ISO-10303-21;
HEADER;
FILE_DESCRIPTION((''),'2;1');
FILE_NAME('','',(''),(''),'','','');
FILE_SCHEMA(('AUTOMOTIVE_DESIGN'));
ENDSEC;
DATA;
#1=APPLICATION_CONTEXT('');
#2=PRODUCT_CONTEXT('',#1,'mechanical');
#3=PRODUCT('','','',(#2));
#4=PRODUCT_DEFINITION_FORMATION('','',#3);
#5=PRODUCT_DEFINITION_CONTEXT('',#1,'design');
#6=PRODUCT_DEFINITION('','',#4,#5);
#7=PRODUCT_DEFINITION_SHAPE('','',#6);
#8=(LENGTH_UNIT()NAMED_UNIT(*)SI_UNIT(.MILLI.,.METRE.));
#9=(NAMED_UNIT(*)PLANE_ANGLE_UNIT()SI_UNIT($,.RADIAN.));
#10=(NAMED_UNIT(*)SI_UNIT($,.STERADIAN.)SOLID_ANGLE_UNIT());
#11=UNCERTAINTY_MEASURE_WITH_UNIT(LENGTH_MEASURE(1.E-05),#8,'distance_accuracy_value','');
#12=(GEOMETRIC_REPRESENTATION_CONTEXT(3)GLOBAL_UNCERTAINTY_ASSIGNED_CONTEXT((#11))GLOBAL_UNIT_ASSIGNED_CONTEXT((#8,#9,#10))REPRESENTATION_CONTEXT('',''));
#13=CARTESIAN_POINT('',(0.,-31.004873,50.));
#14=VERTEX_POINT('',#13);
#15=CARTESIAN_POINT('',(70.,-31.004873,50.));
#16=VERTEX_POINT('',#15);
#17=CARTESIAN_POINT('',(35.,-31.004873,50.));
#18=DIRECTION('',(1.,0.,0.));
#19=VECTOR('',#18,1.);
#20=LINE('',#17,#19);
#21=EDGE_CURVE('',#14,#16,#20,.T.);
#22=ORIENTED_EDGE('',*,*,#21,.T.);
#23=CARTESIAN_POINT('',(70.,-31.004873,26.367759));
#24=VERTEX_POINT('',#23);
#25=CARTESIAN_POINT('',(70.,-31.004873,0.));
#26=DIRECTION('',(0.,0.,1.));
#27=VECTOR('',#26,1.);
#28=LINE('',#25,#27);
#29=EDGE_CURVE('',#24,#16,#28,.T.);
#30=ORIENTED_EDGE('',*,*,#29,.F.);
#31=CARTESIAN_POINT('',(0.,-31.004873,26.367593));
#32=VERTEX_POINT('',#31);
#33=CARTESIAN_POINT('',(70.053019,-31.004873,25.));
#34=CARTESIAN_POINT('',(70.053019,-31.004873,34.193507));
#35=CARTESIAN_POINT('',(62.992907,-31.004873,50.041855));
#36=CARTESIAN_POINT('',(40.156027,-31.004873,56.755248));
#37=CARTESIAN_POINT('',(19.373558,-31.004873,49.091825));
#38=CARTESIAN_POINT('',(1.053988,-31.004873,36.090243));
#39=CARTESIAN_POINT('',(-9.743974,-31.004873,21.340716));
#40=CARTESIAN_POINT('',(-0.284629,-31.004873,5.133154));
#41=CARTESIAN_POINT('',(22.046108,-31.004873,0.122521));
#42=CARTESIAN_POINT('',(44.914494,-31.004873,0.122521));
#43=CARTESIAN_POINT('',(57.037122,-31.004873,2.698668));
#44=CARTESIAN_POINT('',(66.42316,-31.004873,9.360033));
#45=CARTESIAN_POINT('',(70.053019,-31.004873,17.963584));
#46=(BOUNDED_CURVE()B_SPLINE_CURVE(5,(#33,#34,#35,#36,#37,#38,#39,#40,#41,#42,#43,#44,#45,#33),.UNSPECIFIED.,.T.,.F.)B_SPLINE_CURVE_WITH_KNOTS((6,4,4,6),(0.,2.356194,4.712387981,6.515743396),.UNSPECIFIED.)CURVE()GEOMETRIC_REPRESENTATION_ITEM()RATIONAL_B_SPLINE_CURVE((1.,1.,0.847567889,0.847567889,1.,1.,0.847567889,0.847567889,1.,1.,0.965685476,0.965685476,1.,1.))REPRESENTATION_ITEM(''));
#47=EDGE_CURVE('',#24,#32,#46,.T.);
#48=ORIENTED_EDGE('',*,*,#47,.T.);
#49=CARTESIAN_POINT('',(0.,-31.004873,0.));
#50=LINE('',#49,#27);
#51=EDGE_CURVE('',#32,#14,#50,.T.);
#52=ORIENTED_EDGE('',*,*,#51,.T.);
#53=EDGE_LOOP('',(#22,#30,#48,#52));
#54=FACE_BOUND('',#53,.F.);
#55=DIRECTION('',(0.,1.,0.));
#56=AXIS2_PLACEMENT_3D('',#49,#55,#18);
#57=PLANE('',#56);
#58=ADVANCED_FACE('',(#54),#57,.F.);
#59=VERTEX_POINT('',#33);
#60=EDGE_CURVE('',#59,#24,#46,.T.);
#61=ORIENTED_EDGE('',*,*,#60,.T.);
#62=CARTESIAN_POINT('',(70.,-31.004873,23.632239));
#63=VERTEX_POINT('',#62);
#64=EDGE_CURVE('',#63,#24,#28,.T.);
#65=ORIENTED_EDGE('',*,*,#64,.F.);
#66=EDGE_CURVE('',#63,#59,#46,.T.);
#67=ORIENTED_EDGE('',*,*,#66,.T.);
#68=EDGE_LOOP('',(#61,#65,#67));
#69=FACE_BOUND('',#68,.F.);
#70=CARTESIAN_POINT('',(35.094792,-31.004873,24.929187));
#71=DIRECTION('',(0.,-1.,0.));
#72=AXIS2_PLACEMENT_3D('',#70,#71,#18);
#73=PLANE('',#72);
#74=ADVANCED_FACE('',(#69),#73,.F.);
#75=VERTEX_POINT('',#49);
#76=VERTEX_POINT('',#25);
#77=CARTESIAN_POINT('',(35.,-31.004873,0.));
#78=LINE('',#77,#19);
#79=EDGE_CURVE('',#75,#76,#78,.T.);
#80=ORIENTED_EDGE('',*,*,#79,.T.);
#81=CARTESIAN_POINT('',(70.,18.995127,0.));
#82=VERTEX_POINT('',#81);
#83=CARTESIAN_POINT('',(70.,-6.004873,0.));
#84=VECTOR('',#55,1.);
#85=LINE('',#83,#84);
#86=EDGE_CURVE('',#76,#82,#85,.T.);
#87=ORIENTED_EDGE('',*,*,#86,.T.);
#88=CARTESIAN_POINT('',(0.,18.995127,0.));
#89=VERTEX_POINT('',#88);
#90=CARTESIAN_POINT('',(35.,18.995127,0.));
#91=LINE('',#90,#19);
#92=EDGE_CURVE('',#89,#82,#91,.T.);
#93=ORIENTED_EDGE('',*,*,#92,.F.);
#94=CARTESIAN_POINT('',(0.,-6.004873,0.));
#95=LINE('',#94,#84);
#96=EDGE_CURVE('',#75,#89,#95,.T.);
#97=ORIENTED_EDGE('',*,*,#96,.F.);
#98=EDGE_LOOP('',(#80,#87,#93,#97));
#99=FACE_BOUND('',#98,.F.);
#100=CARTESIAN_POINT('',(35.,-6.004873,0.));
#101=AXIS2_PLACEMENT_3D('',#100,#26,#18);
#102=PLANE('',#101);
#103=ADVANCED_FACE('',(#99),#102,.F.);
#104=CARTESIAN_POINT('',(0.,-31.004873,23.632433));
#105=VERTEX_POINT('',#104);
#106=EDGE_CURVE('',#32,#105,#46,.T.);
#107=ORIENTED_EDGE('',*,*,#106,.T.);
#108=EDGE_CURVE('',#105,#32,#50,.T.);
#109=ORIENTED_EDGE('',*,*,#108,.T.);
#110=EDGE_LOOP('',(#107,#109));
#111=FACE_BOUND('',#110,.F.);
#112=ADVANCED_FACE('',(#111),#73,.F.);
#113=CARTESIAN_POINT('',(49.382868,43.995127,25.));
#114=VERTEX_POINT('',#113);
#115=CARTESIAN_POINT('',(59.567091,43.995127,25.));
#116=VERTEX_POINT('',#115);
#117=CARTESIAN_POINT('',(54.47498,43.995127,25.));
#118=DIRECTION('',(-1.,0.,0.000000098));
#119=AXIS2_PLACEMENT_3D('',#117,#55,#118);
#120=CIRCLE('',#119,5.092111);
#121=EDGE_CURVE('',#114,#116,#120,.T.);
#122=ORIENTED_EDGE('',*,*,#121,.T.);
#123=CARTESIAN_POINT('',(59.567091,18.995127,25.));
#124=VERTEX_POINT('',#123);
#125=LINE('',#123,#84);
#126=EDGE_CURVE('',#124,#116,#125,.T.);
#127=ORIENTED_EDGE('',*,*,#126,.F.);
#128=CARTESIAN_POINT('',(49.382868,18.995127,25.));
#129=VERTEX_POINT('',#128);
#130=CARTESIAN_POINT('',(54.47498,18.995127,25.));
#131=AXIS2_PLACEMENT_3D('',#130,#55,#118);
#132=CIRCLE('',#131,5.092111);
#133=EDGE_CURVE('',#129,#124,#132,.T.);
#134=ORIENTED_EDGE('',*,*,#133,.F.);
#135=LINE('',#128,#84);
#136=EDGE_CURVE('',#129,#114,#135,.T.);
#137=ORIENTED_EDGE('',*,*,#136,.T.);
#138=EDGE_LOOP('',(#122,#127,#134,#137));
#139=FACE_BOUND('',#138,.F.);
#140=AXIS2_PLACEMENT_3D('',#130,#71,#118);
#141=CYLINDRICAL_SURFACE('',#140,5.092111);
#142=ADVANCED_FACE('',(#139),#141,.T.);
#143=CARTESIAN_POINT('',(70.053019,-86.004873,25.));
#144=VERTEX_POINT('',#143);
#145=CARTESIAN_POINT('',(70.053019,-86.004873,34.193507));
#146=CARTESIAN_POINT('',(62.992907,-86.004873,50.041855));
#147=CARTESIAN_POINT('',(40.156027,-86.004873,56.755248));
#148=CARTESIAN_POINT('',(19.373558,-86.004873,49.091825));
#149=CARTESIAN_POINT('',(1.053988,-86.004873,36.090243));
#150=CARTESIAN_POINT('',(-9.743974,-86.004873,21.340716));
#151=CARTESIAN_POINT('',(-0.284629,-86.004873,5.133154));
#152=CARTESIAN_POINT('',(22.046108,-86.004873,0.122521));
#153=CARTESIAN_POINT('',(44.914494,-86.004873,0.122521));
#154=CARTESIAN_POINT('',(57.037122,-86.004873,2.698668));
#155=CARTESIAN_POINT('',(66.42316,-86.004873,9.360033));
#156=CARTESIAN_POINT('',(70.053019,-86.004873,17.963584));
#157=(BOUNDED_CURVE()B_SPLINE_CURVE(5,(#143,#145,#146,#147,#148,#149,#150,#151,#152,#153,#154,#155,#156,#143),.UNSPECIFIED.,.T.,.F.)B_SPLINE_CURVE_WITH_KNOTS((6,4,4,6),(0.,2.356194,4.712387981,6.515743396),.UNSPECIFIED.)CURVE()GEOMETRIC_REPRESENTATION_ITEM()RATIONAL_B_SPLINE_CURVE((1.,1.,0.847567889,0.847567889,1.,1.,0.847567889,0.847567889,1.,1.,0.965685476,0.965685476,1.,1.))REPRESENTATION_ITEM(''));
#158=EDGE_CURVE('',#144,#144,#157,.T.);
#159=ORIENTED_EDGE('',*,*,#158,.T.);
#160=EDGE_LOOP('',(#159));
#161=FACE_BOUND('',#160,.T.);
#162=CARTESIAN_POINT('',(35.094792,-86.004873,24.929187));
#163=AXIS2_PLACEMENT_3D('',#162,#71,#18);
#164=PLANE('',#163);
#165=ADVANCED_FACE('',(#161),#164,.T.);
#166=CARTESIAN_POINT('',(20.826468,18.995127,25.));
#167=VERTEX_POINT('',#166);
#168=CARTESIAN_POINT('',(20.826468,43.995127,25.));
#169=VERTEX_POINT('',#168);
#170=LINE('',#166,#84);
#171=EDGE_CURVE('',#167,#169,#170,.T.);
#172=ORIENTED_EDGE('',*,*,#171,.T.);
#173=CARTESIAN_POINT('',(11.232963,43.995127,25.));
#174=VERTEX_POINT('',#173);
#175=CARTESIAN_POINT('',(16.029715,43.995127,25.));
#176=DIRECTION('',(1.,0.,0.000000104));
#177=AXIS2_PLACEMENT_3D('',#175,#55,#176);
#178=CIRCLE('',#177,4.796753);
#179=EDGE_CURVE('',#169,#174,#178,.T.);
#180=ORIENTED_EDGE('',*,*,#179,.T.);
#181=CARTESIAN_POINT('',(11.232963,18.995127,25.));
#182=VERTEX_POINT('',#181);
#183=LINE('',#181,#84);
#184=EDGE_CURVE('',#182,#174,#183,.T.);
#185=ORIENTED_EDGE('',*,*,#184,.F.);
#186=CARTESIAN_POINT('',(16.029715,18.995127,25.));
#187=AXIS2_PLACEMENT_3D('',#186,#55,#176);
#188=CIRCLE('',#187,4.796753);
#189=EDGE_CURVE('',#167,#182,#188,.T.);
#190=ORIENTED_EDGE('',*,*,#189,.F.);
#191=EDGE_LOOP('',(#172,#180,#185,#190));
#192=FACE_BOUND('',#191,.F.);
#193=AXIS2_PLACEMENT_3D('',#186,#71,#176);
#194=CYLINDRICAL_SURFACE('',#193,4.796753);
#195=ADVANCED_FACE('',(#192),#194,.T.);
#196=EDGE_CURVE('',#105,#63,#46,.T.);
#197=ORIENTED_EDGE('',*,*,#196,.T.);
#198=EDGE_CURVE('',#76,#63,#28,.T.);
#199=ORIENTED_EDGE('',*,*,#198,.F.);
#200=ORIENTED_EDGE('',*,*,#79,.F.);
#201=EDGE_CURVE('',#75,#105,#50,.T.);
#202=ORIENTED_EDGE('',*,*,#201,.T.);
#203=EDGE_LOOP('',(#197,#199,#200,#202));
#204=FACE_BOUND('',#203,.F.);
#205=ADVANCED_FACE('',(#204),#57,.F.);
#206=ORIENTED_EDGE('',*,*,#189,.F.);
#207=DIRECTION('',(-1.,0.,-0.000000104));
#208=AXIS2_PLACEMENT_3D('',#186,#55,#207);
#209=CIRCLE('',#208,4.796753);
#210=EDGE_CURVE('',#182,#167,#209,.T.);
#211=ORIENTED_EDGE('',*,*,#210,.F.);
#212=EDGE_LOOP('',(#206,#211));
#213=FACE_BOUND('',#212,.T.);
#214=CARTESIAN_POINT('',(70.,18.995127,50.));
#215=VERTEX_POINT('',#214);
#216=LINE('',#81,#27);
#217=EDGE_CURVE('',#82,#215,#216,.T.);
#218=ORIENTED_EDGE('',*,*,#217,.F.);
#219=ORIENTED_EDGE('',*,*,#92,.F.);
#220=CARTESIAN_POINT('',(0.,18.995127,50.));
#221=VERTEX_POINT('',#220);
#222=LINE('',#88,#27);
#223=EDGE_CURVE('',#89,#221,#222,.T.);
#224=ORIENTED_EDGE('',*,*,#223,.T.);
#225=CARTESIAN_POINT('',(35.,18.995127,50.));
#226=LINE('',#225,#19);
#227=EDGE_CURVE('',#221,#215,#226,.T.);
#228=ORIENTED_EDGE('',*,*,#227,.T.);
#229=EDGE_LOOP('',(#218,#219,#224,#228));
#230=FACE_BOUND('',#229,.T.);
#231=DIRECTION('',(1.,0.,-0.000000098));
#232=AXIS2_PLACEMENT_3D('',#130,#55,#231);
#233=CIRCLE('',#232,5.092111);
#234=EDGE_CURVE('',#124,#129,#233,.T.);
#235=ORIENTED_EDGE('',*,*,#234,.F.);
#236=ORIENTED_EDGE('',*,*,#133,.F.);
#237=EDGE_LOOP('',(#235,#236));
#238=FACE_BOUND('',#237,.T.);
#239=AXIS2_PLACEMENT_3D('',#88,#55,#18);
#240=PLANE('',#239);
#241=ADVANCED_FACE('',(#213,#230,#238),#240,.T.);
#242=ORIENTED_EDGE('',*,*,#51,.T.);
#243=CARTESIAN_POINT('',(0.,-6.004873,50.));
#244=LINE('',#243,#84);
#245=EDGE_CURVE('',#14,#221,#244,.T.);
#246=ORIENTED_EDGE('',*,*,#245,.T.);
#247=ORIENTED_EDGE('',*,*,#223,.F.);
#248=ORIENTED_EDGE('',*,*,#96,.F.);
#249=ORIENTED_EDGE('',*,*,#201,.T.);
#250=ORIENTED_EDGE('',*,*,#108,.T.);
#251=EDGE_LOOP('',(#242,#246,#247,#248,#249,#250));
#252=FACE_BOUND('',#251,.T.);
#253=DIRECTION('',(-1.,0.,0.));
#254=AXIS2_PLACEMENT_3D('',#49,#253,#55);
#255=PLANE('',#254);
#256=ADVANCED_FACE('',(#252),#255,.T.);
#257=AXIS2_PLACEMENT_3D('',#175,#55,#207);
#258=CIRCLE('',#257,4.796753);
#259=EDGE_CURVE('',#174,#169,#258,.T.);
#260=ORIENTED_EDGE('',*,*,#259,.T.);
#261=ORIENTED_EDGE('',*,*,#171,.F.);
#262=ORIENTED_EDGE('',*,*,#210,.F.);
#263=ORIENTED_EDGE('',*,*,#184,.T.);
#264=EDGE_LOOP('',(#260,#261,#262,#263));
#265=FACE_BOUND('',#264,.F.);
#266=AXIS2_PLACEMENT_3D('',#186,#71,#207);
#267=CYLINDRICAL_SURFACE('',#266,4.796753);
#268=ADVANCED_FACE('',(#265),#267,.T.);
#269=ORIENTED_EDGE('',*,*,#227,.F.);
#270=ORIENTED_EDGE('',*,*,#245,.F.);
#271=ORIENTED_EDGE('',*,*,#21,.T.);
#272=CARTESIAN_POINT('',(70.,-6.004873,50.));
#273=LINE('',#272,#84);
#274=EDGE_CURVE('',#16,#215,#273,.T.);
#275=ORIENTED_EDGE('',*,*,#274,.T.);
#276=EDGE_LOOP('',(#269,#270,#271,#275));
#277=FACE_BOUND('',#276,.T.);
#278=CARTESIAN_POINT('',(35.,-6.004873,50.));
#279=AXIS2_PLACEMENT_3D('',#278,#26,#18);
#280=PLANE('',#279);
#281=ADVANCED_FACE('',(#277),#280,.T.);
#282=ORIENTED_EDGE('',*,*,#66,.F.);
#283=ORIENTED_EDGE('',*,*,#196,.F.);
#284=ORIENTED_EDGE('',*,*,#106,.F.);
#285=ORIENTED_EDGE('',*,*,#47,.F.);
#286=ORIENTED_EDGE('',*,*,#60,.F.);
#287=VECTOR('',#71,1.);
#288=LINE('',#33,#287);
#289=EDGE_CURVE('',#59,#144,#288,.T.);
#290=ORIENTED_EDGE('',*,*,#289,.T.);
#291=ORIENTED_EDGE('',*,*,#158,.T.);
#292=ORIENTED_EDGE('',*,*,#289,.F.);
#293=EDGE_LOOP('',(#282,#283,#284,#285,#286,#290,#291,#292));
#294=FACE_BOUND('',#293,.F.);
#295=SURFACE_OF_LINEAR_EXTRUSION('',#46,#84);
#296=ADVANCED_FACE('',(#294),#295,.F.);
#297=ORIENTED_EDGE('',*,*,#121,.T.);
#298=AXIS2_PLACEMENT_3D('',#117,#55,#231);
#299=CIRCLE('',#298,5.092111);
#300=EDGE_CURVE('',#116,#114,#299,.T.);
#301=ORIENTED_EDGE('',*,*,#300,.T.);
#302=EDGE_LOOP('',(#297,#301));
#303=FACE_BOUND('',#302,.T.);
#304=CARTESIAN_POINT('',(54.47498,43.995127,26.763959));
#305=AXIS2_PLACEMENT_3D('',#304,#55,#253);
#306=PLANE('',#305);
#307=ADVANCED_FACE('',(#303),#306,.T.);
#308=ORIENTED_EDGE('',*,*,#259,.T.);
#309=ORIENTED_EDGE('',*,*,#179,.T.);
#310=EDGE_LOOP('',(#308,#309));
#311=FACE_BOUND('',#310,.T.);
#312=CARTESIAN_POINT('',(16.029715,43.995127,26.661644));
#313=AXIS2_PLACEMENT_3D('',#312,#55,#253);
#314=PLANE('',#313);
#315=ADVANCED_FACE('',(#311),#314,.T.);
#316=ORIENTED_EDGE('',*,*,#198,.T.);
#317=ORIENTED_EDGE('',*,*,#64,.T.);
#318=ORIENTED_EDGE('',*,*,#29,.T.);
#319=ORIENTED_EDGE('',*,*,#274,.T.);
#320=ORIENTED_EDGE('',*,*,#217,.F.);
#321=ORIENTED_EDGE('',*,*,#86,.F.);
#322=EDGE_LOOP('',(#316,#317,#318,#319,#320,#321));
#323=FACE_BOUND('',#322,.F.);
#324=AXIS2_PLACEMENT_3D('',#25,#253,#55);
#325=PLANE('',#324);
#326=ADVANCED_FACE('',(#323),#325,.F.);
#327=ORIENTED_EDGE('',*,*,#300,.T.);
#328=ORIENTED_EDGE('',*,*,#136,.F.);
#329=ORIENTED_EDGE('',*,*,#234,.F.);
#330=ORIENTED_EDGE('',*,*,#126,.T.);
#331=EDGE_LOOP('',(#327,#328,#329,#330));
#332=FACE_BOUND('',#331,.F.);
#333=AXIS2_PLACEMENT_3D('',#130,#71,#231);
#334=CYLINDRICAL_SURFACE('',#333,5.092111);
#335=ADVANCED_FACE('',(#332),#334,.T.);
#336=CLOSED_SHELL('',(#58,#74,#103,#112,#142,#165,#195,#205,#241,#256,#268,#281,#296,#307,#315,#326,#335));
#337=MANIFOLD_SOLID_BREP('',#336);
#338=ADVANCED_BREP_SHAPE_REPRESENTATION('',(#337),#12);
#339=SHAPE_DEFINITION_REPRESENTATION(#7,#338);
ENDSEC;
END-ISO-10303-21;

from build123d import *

# Parameters (mm, degrees)
F0_W     = 70
F0_H     = 50
F1_DEPTH = 50
F3_DEPTH = 55
F5_DEPTH = 25


with BuildPart() as f1:
    # F0 (on Top) → F1 (new body)
    with BuildSketch(Plane.XY):
        with Locations((35, -6.004873)):
            Rectangle(F0_W, F0_H)
    extrude(amount=F1_DEPTH)

    # F2 (on face) → F3 (join)
    with BuildSketch(Plane.XZ.offset(31.004873)):
        with BuildLine():
            add(Edge.make_bspline(
                [(35, 0.122521), (70.053019, 0.122521), (70.053019, 25)],
                knots=[4.712389, 4.712389, 4.712389, 6.283185, 6.283185, 6.283185], degree=2, weights=[1, 0.707107, 1]))
            add(Edge.make_bspline(
                [(70.053019, 25), (70.053019, 85.059548), (10.213773, 42.591034), (-49.625473, 0.122521), (35, 0.122521)],
                knots=[0, 0, 0, 2.356194, 2.356194, 4.712389, 4.712389, 4.712389], degree=2, weights=[1, 0.382683, 1, 0.382683, 1]))
        make_face()
    extrude(amount=F3_DEPTH)

    # F4 (on face) → F5 (join)
    with BuildSketch(Plane(origin=(0, 18.995127, 0), x_dir=(-1, 0, 0), z_dir=(0, 1, 0))):
        with BuildLine():
            ThreePointArc((-49.382868, 25), (-54.47498, 30.092111), (-59.567091, 25))
            Line((-59.567091, 25), (-49.382868, 25))
        make_face()
        with BuildLine():
            ThreePointArc((-11.232963, 25), (-16.029716, 29.796753), (-20.826468, 25))
            Line((-20.826468, 25), (-11.232963, 25))
        make_face()
        with BuildLine():
            Line((-11.232963, 25), (-20.826468, 25))
            ThreePointArc((-20.826468, 25), (-16.029716, 20.203247), (-11.232963, 25))
        make_face()
        with BuildLine():
            Line((-49.382868, 25), (-59.567091, 25))
            ThreePointArc((-59.567091, 25), (-54.47498, 19.907889), (-49.382868, 25))
        make_face()
    extrude(amount=F5_DEPTH)


solid = f1.part
